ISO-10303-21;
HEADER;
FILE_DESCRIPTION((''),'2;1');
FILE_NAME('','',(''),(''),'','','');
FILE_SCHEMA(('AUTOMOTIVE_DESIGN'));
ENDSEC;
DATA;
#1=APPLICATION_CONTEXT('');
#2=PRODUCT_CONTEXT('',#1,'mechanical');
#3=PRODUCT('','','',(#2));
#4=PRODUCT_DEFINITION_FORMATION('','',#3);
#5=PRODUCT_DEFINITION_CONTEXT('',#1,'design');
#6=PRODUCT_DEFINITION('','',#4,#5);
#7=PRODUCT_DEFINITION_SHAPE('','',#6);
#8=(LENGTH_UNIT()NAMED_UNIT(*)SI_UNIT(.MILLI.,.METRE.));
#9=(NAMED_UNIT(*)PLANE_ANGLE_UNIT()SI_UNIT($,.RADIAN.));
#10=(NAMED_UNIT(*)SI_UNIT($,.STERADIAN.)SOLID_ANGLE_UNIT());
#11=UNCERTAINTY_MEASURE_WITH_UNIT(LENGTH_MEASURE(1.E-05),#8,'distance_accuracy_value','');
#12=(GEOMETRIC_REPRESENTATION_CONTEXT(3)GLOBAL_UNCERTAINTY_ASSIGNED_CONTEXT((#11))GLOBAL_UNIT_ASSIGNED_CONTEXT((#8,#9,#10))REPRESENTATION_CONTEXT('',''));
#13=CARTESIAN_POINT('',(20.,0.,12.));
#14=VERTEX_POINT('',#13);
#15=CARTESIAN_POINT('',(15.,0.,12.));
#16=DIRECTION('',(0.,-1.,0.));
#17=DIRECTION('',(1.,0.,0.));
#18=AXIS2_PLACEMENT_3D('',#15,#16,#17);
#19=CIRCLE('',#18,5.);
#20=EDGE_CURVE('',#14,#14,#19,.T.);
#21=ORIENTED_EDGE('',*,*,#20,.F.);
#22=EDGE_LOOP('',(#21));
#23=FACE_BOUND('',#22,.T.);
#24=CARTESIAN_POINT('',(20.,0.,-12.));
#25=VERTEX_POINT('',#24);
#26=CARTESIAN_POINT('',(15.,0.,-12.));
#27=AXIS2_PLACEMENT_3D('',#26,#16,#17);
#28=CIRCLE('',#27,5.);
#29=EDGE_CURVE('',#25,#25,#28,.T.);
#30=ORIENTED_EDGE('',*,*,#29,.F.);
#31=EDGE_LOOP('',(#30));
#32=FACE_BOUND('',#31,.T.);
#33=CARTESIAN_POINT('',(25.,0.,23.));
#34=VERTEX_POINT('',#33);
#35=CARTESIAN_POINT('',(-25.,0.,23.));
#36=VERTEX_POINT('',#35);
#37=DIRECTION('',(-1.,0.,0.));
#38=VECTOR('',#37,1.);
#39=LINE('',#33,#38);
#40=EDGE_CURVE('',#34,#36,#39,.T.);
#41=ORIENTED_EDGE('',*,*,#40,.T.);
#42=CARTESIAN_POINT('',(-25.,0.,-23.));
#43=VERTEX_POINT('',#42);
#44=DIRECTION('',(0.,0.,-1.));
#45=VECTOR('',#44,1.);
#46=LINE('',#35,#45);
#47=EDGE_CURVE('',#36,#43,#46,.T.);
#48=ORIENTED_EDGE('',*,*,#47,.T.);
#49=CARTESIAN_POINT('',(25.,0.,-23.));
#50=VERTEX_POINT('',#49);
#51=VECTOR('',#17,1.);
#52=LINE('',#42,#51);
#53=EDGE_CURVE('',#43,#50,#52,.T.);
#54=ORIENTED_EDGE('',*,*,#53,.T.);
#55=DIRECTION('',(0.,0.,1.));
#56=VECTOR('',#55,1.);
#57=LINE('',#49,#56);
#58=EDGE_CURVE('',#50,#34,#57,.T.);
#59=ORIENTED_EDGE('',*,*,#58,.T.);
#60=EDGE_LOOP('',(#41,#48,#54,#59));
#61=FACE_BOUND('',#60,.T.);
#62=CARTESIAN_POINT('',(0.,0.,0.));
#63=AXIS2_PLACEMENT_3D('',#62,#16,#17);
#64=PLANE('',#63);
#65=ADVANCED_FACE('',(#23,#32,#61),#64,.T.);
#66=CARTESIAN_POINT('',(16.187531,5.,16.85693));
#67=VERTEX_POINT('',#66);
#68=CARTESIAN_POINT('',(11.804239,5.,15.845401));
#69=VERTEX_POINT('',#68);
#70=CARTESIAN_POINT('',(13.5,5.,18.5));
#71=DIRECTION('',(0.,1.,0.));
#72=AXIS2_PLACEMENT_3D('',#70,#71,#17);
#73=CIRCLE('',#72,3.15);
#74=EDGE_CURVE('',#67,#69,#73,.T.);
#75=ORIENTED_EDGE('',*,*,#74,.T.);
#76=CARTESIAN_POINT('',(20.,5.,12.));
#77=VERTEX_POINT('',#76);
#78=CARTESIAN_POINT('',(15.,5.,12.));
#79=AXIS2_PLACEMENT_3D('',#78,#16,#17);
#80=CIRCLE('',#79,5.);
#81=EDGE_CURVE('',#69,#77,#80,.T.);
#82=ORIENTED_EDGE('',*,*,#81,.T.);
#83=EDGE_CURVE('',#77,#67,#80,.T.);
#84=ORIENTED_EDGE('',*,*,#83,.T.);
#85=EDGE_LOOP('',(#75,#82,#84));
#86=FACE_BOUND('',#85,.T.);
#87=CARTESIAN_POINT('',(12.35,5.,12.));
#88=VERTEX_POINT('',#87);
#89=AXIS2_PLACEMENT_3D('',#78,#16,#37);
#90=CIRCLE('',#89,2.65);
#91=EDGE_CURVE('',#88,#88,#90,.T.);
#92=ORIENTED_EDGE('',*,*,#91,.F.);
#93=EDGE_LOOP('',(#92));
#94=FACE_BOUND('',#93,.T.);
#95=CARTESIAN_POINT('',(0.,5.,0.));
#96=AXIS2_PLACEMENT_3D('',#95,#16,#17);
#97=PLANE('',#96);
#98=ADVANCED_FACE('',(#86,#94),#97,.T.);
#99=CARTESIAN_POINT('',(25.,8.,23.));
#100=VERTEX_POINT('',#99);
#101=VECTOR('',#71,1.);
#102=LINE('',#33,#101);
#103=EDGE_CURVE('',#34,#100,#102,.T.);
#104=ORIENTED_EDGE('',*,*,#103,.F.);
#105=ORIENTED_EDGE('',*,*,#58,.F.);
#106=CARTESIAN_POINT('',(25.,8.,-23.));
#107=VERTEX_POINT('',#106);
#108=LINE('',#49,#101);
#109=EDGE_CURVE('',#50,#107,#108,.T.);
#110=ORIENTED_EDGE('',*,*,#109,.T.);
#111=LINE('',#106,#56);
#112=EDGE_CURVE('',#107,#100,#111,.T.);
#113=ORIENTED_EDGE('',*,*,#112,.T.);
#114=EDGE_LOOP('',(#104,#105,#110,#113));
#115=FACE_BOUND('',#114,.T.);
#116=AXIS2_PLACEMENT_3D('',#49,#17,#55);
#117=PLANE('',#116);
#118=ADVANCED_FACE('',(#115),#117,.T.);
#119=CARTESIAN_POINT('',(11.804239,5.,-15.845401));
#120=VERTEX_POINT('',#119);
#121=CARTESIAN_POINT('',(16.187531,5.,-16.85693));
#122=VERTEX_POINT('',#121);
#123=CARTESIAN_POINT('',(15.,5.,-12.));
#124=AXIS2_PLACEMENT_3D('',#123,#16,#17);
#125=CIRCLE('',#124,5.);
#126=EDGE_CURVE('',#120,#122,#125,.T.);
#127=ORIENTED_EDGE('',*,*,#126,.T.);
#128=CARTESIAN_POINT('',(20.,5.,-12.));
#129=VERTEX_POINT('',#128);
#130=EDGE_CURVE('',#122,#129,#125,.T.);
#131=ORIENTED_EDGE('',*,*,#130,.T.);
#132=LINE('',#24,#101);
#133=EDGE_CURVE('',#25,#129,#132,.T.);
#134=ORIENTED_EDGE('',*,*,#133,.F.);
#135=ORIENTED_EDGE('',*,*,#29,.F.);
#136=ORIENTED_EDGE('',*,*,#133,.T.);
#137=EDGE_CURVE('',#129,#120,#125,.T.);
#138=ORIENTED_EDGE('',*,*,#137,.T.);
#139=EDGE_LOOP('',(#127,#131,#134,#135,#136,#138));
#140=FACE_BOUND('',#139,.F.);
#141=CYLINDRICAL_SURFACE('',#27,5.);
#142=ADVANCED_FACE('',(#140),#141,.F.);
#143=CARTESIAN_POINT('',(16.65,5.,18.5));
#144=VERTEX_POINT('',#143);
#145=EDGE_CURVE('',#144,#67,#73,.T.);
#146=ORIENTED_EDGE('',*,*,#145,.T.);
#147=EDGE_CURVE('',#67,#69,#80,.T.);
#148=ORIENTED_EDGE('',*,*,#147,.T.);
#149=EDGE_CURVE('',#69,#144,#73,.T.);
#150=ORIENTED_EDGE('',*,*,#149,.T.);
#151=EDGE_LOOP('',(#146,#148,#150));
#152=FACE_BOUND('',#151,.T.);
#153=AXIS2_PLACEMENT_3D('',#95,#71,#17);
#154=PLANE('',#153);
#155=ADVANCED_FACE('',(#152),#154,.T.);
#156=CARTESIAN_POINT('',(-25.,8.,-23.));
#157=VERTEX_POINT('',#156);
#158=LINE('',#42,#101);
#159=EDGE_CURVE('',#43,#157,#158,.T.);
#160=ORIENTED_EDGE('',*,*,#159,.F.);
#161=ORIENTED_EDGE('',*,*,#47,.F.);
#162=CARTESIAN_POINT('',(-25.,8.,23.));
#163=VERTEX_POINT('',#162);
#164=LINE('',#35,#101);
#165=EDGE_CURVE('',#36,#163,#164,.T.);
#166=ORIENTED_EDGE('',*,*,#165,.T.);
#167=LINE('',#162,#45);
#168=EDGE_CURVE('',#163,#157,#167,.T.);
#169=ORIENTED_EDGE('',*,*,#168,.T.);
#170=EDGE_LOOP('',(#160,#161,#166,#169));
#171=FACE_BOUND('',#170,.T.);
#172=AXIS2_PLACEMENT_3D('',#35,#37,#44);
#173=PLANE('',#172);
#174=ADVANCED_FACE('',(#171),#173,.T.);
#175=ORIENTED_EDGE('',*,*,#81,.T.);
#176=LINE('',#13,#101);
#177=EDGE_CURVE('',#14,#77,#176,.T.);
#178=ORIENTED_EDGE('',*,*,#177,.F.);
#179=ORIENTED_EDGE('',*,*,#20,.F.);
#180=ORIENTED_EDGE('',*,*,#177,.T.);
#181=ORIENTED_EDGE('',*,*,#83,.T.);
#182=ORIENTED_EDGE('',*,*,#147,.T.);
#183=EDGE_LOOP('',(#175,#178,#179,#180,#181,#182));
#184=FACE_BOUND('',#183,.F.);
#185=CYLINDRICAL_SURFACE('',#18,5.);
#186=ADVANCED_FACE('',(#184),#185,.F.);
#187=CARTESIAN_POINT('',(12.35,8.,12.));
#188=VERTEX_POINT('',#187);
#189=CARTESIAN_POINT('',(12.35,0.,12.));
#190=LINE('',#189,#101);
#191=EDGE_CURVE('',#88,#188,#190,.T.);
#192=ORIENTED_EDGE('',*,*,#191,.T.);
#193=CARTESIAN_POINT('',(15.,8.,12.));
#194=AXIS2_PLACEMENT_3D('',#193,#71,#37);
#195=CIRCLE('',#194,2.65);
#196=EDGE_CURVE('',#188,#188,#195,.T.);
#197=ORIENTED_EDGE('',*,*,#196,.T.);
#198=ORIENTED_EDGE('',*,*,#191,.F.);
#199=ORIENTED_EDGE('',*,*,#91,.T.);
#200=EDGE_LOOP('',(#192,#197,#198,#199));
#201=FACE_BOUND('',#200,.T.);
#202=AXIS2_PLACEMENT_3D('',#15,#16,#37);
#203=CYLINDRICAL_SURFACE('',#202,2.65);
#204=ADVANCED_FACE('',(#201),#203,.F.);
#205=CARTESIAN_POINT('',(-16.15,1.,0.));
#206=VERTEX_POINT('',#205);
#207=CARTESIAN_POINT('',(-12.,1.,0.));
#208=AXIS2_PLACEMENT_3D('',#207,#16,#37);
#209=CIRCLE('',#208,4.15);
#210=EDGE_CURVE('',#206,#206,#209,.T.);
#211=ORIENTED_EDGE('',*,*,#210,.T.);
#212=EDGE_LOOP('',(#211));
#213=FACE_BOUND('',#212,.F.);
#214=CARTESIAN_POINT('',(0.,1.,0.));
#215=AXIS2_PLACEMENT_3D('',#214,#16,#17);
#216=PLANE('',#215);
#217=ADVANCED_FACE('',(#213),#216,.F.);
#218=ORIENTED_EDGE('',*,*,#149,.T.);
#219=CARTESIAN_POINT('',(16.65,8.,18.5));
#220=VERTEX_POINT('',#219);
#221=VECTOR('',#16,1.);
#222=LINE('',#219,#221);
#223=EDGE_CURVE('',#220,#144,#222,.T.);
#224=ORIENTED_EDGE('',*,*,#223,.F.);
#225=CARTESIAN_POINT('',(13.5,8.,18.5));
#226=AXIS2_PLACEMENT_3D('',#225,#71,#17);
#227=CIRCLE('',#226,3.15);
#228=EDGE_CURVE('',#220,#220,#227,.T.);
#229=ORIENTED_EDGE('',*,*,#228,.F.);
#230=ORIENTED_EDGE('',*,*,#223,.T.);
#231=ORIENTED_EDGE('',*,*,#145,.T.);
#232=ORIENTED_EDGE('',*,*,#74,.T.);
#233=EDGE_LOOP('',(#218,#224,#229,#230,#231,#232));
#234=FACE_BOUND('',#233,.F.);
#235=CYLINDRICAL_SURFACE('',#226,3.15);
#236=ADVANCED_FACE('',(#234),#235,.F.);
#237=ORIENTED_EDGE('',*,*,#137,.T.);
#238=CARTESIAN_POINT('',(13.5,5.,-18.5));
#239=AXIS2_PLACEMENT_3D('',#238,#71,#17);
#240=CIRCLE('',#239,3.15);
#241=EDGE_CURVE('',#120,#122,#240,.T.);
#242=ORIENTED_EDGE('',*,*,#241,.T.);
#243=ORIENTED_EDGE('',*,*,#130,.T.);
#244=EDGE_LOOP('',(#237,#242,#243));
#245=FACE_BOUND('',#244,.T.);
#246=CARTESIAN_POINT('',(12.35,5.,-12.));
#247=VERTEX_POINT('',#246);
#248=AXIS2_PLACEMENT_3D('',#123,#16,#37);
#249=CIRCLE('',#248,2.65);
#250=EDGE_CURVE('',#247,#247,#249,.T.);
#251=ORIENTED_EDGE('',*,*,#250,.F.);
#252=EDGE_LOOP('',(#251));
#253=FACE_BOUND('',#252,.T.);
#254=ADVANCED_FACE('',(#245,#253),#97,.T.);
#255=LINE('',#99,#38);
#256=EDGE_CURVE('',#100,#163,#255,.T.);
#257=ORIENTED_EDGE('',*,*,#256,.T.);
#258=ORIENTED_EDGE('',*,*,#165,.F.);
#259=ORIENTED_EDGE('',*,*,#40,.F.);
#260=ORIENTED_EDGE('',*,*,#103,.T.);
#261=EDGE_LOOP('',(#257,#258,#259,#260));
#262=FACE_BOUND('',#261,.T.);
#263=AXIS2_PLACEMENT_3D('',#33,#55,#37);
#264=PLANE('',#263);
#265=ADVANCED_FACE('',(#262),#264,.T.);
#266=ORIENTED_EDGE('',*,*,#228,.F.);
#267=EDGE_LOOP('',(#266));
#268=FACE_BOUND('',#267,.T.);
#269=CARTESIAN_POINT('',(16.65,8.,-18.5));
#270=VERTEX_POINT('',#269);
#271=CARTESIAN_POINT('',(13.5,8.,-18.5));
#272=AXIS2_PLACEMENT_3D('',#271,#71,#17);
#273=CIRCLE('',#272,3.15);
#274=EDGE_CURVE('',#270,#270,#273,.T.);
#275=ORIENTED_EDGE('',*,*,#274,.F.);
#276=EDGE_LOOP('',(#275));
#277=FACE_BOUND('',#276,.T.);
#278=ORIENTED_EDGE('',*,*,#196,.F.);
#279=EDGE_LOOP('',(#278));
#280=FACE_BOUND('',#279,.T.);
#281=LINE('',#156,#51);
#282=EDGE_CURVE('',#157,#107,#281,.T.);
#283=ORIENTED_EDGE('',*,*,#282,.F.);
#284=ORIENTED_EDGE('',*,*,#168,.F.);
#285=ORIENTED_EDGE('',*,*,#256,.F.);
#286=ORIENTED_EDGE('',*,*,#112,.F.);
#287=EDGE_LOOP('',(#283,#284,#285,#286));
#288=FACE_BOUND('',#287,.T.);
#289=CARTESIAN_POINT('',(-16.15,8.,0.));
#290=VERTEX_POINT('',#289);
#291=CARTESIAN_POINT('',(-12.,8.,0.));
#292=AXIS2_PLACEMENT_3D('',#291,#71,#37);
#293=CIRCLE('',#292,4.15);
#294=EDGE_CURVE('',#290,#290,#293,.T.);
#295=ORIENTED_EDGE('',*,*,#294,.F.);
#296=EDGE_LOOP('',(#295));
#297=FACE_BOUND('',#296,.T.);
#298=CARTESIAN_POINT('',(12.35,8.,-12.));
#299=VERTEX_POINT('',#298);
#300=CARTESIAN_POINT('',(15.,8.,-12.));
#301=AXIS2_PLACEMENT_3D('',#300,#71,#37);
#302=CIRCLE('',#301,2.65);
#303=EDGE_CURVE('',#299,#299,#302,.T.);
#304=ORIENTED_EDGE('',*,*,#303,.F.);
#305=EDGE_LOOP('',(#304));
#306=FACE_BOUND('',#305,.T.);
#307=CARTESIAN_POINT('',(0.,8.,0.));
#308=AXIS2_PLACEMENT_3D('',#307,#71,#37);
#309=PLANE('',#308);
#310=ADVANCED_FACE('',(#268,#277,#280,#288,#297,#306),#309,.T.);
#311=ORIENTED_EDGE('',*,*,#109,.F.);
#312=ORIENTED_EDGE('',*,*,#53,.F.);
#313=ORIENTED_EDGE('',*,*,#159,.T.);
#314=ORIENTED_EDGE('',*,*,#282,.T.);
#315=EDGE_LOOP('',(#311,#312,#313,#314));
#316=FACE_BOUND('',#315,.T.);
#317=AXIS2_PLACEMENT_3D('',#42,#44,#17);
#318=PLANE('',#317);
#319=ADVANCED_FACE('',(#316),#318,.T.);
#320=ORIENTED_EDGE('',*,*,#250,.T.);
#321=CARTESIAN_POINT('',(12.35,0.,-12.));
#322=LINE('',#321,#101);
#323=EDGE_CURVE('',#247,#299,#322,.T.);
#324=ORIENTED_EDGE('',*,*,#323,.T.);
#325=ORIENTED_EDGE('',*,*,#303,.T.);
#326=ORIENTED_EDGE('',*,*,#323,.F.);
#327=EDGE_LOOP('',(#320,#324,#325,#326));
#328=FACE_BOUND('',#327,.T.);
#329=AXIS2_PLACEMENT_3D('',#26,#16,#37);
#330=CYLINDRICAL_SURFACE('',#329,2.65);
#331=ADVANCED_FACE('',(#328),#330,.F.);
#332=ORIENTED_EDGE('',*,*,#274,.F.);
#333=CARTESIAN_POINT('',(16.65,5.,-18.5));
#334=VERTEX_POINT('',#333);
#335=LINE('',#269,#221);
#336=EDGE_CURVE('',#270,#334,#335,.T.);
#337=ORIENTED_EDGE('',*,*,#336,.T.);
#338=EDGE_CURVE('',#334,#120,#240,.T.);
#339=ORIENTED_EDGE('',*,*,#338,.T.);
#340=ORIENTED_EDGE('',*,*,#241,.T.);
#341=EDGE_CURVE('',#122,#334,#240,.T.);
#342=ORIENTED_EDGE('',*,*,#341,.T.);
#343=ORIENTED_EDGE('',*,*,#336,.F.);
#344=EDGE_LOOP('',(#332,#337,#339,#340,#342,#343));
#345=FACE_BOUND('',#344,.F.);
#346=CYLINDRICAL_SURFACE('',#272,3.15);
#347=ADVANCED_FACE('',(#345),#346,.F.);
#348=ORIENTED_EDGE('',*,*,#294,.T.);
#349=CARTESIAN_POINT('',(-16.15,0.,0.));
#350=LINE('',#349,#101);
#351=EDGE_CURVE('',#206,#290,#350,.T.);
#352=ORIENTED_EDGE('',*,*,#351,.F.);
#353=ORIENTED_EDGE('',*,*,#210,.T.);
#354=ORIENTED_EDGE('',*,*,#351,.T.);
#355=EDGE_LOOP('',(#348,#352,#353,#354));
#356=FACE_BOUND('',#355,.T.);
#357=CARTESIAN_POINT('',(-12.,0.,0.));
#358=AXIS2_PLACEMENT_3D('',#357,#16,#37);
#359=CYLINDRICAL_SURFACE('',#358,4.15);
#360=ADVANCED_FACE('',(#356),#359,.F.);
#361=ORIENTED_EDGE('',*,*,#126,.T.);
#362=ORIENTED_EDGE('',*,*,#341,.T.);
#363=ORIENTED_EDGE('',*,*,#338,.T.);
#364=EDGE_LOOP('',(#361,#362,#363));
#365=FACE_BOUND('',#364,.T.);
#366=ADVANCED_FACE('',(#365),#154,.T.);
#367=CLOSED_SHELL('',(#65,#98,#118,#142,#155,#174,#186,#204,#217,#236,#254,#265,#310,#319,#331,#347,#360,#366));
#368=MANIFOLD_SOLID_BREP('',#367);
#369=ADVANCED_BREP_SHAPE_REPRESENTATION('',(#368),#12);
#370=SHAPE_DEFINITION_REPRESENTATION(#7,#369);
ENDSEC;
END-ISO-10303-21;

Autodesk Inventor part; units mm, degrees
ref_plane "YZ Plane" through (0, 0, 0) normal (1, 0, 0) x (0, 1, 0)
ref_plane "XZ Plane" through (0, 0, 0) normal (0, 1, 0) x (-1, 0, 0)
ref_plane "XY Plane" through (0, 0, 0) normal (0, 0, 1) x (1, 0, 0)
sketch "Sketch1" plane through (0, 0, 0) normal (0, 1, 0) x (-1, 0, 0)
  line L0 (-25, 23) -> (25, 23)
  line L1 (25, 23) -> (25, -23)
  line L2 (25, -23) -> (-25, -23)
  line L3 (-25, -23) -> (-25, 23)
  line L4 (-25, 23) -> (25, -23) construction
  line L5 (25, 23) -> (-25, -23) construction
  circle A0 centre (12, 0) radius 4.15
  circle A1 centre (-15, -12) radius 2.65
  line L6 (25, 0) -> (-25, 0) construction
  circle A2 centre (-15, 12) radius 2.65
  point P0 (0, 0)
  dimension "d0" = 46
  dimension "d1" = 50
  dimension "d2" = 23
  dimension "d3" = 13
  dimension "d4" = 8.3
  dimension "d5" = 11
  dimension "d6" = 10
  dimension "d7" = 5.3
extrude "Extrusion1" add sketch "Sketch1" along normal blind 8
sketch "Sketch2" plane through (0, 0, 0) normal (0, -1, 0) x (1, 0, 0)
  line L0 (25, -23) -> (-25, -23) projected
  line L1 (25, 23) -> (25, -23) projected
  line L2 (-25, 23) -> (25, 23) projected
  line L3 (-25, -23) -> (-25, 23) projected
  circle A0 centre (15, 12) radius 2.65 construction
  circle A1 centre (15, -12) radius 2.65 construction
  circle A2 centre (-12, 0) radius 4.15 projected
  circle A3 centre (15, -12) radius 2.65 construction
  circle A4 centre (15, -12) radius 5
  circle A5 centre (15, 12) radius 5
  point P0 (0, 0)
  dimension "d10" = 10
  dimension "d11" = 10
extrude "Extrusion2" cut sketch "Sketch2" against normal blind 5 contours A4 | A5
sketch "Sketch3" plane through (0, 8, 0) normal (0, 1, 0) x (1, 0, 0)
  circle A0 centre (13.5, 18.5) radius 3.15
  line L0 (25, -23) -> (25, 23) projected
  line L1 (25, 0) -> (-25, 0) construction
  line L2 (-25, 23) -> (-25, -23) projected
  line L3 (25, 23) -> (-25, 23) projected
  circle A1 centre (13.5, -18.5) radius 3.15
  point P0 (0, 0)
  dimension "d14" = 4.5
  dimension "d15" = 11.5
  dimension "d16" = 6.3
extrude "Extrusion3" cut sketch "Sketch3" against normal blind 3
sketch "Sketch5" plane through (0, 0, 0) normal (0, -1, 0) x (1, 0, 0)
  circle A0 centre (-12, 0) radius 4.15 projected
  point P0 (0, 0)
extrude "Extrusion5" add sketch "Sketch5" against normal blind 1
equation "\"d11\" = d10"
properties part number "Linear Rail End Cap"
